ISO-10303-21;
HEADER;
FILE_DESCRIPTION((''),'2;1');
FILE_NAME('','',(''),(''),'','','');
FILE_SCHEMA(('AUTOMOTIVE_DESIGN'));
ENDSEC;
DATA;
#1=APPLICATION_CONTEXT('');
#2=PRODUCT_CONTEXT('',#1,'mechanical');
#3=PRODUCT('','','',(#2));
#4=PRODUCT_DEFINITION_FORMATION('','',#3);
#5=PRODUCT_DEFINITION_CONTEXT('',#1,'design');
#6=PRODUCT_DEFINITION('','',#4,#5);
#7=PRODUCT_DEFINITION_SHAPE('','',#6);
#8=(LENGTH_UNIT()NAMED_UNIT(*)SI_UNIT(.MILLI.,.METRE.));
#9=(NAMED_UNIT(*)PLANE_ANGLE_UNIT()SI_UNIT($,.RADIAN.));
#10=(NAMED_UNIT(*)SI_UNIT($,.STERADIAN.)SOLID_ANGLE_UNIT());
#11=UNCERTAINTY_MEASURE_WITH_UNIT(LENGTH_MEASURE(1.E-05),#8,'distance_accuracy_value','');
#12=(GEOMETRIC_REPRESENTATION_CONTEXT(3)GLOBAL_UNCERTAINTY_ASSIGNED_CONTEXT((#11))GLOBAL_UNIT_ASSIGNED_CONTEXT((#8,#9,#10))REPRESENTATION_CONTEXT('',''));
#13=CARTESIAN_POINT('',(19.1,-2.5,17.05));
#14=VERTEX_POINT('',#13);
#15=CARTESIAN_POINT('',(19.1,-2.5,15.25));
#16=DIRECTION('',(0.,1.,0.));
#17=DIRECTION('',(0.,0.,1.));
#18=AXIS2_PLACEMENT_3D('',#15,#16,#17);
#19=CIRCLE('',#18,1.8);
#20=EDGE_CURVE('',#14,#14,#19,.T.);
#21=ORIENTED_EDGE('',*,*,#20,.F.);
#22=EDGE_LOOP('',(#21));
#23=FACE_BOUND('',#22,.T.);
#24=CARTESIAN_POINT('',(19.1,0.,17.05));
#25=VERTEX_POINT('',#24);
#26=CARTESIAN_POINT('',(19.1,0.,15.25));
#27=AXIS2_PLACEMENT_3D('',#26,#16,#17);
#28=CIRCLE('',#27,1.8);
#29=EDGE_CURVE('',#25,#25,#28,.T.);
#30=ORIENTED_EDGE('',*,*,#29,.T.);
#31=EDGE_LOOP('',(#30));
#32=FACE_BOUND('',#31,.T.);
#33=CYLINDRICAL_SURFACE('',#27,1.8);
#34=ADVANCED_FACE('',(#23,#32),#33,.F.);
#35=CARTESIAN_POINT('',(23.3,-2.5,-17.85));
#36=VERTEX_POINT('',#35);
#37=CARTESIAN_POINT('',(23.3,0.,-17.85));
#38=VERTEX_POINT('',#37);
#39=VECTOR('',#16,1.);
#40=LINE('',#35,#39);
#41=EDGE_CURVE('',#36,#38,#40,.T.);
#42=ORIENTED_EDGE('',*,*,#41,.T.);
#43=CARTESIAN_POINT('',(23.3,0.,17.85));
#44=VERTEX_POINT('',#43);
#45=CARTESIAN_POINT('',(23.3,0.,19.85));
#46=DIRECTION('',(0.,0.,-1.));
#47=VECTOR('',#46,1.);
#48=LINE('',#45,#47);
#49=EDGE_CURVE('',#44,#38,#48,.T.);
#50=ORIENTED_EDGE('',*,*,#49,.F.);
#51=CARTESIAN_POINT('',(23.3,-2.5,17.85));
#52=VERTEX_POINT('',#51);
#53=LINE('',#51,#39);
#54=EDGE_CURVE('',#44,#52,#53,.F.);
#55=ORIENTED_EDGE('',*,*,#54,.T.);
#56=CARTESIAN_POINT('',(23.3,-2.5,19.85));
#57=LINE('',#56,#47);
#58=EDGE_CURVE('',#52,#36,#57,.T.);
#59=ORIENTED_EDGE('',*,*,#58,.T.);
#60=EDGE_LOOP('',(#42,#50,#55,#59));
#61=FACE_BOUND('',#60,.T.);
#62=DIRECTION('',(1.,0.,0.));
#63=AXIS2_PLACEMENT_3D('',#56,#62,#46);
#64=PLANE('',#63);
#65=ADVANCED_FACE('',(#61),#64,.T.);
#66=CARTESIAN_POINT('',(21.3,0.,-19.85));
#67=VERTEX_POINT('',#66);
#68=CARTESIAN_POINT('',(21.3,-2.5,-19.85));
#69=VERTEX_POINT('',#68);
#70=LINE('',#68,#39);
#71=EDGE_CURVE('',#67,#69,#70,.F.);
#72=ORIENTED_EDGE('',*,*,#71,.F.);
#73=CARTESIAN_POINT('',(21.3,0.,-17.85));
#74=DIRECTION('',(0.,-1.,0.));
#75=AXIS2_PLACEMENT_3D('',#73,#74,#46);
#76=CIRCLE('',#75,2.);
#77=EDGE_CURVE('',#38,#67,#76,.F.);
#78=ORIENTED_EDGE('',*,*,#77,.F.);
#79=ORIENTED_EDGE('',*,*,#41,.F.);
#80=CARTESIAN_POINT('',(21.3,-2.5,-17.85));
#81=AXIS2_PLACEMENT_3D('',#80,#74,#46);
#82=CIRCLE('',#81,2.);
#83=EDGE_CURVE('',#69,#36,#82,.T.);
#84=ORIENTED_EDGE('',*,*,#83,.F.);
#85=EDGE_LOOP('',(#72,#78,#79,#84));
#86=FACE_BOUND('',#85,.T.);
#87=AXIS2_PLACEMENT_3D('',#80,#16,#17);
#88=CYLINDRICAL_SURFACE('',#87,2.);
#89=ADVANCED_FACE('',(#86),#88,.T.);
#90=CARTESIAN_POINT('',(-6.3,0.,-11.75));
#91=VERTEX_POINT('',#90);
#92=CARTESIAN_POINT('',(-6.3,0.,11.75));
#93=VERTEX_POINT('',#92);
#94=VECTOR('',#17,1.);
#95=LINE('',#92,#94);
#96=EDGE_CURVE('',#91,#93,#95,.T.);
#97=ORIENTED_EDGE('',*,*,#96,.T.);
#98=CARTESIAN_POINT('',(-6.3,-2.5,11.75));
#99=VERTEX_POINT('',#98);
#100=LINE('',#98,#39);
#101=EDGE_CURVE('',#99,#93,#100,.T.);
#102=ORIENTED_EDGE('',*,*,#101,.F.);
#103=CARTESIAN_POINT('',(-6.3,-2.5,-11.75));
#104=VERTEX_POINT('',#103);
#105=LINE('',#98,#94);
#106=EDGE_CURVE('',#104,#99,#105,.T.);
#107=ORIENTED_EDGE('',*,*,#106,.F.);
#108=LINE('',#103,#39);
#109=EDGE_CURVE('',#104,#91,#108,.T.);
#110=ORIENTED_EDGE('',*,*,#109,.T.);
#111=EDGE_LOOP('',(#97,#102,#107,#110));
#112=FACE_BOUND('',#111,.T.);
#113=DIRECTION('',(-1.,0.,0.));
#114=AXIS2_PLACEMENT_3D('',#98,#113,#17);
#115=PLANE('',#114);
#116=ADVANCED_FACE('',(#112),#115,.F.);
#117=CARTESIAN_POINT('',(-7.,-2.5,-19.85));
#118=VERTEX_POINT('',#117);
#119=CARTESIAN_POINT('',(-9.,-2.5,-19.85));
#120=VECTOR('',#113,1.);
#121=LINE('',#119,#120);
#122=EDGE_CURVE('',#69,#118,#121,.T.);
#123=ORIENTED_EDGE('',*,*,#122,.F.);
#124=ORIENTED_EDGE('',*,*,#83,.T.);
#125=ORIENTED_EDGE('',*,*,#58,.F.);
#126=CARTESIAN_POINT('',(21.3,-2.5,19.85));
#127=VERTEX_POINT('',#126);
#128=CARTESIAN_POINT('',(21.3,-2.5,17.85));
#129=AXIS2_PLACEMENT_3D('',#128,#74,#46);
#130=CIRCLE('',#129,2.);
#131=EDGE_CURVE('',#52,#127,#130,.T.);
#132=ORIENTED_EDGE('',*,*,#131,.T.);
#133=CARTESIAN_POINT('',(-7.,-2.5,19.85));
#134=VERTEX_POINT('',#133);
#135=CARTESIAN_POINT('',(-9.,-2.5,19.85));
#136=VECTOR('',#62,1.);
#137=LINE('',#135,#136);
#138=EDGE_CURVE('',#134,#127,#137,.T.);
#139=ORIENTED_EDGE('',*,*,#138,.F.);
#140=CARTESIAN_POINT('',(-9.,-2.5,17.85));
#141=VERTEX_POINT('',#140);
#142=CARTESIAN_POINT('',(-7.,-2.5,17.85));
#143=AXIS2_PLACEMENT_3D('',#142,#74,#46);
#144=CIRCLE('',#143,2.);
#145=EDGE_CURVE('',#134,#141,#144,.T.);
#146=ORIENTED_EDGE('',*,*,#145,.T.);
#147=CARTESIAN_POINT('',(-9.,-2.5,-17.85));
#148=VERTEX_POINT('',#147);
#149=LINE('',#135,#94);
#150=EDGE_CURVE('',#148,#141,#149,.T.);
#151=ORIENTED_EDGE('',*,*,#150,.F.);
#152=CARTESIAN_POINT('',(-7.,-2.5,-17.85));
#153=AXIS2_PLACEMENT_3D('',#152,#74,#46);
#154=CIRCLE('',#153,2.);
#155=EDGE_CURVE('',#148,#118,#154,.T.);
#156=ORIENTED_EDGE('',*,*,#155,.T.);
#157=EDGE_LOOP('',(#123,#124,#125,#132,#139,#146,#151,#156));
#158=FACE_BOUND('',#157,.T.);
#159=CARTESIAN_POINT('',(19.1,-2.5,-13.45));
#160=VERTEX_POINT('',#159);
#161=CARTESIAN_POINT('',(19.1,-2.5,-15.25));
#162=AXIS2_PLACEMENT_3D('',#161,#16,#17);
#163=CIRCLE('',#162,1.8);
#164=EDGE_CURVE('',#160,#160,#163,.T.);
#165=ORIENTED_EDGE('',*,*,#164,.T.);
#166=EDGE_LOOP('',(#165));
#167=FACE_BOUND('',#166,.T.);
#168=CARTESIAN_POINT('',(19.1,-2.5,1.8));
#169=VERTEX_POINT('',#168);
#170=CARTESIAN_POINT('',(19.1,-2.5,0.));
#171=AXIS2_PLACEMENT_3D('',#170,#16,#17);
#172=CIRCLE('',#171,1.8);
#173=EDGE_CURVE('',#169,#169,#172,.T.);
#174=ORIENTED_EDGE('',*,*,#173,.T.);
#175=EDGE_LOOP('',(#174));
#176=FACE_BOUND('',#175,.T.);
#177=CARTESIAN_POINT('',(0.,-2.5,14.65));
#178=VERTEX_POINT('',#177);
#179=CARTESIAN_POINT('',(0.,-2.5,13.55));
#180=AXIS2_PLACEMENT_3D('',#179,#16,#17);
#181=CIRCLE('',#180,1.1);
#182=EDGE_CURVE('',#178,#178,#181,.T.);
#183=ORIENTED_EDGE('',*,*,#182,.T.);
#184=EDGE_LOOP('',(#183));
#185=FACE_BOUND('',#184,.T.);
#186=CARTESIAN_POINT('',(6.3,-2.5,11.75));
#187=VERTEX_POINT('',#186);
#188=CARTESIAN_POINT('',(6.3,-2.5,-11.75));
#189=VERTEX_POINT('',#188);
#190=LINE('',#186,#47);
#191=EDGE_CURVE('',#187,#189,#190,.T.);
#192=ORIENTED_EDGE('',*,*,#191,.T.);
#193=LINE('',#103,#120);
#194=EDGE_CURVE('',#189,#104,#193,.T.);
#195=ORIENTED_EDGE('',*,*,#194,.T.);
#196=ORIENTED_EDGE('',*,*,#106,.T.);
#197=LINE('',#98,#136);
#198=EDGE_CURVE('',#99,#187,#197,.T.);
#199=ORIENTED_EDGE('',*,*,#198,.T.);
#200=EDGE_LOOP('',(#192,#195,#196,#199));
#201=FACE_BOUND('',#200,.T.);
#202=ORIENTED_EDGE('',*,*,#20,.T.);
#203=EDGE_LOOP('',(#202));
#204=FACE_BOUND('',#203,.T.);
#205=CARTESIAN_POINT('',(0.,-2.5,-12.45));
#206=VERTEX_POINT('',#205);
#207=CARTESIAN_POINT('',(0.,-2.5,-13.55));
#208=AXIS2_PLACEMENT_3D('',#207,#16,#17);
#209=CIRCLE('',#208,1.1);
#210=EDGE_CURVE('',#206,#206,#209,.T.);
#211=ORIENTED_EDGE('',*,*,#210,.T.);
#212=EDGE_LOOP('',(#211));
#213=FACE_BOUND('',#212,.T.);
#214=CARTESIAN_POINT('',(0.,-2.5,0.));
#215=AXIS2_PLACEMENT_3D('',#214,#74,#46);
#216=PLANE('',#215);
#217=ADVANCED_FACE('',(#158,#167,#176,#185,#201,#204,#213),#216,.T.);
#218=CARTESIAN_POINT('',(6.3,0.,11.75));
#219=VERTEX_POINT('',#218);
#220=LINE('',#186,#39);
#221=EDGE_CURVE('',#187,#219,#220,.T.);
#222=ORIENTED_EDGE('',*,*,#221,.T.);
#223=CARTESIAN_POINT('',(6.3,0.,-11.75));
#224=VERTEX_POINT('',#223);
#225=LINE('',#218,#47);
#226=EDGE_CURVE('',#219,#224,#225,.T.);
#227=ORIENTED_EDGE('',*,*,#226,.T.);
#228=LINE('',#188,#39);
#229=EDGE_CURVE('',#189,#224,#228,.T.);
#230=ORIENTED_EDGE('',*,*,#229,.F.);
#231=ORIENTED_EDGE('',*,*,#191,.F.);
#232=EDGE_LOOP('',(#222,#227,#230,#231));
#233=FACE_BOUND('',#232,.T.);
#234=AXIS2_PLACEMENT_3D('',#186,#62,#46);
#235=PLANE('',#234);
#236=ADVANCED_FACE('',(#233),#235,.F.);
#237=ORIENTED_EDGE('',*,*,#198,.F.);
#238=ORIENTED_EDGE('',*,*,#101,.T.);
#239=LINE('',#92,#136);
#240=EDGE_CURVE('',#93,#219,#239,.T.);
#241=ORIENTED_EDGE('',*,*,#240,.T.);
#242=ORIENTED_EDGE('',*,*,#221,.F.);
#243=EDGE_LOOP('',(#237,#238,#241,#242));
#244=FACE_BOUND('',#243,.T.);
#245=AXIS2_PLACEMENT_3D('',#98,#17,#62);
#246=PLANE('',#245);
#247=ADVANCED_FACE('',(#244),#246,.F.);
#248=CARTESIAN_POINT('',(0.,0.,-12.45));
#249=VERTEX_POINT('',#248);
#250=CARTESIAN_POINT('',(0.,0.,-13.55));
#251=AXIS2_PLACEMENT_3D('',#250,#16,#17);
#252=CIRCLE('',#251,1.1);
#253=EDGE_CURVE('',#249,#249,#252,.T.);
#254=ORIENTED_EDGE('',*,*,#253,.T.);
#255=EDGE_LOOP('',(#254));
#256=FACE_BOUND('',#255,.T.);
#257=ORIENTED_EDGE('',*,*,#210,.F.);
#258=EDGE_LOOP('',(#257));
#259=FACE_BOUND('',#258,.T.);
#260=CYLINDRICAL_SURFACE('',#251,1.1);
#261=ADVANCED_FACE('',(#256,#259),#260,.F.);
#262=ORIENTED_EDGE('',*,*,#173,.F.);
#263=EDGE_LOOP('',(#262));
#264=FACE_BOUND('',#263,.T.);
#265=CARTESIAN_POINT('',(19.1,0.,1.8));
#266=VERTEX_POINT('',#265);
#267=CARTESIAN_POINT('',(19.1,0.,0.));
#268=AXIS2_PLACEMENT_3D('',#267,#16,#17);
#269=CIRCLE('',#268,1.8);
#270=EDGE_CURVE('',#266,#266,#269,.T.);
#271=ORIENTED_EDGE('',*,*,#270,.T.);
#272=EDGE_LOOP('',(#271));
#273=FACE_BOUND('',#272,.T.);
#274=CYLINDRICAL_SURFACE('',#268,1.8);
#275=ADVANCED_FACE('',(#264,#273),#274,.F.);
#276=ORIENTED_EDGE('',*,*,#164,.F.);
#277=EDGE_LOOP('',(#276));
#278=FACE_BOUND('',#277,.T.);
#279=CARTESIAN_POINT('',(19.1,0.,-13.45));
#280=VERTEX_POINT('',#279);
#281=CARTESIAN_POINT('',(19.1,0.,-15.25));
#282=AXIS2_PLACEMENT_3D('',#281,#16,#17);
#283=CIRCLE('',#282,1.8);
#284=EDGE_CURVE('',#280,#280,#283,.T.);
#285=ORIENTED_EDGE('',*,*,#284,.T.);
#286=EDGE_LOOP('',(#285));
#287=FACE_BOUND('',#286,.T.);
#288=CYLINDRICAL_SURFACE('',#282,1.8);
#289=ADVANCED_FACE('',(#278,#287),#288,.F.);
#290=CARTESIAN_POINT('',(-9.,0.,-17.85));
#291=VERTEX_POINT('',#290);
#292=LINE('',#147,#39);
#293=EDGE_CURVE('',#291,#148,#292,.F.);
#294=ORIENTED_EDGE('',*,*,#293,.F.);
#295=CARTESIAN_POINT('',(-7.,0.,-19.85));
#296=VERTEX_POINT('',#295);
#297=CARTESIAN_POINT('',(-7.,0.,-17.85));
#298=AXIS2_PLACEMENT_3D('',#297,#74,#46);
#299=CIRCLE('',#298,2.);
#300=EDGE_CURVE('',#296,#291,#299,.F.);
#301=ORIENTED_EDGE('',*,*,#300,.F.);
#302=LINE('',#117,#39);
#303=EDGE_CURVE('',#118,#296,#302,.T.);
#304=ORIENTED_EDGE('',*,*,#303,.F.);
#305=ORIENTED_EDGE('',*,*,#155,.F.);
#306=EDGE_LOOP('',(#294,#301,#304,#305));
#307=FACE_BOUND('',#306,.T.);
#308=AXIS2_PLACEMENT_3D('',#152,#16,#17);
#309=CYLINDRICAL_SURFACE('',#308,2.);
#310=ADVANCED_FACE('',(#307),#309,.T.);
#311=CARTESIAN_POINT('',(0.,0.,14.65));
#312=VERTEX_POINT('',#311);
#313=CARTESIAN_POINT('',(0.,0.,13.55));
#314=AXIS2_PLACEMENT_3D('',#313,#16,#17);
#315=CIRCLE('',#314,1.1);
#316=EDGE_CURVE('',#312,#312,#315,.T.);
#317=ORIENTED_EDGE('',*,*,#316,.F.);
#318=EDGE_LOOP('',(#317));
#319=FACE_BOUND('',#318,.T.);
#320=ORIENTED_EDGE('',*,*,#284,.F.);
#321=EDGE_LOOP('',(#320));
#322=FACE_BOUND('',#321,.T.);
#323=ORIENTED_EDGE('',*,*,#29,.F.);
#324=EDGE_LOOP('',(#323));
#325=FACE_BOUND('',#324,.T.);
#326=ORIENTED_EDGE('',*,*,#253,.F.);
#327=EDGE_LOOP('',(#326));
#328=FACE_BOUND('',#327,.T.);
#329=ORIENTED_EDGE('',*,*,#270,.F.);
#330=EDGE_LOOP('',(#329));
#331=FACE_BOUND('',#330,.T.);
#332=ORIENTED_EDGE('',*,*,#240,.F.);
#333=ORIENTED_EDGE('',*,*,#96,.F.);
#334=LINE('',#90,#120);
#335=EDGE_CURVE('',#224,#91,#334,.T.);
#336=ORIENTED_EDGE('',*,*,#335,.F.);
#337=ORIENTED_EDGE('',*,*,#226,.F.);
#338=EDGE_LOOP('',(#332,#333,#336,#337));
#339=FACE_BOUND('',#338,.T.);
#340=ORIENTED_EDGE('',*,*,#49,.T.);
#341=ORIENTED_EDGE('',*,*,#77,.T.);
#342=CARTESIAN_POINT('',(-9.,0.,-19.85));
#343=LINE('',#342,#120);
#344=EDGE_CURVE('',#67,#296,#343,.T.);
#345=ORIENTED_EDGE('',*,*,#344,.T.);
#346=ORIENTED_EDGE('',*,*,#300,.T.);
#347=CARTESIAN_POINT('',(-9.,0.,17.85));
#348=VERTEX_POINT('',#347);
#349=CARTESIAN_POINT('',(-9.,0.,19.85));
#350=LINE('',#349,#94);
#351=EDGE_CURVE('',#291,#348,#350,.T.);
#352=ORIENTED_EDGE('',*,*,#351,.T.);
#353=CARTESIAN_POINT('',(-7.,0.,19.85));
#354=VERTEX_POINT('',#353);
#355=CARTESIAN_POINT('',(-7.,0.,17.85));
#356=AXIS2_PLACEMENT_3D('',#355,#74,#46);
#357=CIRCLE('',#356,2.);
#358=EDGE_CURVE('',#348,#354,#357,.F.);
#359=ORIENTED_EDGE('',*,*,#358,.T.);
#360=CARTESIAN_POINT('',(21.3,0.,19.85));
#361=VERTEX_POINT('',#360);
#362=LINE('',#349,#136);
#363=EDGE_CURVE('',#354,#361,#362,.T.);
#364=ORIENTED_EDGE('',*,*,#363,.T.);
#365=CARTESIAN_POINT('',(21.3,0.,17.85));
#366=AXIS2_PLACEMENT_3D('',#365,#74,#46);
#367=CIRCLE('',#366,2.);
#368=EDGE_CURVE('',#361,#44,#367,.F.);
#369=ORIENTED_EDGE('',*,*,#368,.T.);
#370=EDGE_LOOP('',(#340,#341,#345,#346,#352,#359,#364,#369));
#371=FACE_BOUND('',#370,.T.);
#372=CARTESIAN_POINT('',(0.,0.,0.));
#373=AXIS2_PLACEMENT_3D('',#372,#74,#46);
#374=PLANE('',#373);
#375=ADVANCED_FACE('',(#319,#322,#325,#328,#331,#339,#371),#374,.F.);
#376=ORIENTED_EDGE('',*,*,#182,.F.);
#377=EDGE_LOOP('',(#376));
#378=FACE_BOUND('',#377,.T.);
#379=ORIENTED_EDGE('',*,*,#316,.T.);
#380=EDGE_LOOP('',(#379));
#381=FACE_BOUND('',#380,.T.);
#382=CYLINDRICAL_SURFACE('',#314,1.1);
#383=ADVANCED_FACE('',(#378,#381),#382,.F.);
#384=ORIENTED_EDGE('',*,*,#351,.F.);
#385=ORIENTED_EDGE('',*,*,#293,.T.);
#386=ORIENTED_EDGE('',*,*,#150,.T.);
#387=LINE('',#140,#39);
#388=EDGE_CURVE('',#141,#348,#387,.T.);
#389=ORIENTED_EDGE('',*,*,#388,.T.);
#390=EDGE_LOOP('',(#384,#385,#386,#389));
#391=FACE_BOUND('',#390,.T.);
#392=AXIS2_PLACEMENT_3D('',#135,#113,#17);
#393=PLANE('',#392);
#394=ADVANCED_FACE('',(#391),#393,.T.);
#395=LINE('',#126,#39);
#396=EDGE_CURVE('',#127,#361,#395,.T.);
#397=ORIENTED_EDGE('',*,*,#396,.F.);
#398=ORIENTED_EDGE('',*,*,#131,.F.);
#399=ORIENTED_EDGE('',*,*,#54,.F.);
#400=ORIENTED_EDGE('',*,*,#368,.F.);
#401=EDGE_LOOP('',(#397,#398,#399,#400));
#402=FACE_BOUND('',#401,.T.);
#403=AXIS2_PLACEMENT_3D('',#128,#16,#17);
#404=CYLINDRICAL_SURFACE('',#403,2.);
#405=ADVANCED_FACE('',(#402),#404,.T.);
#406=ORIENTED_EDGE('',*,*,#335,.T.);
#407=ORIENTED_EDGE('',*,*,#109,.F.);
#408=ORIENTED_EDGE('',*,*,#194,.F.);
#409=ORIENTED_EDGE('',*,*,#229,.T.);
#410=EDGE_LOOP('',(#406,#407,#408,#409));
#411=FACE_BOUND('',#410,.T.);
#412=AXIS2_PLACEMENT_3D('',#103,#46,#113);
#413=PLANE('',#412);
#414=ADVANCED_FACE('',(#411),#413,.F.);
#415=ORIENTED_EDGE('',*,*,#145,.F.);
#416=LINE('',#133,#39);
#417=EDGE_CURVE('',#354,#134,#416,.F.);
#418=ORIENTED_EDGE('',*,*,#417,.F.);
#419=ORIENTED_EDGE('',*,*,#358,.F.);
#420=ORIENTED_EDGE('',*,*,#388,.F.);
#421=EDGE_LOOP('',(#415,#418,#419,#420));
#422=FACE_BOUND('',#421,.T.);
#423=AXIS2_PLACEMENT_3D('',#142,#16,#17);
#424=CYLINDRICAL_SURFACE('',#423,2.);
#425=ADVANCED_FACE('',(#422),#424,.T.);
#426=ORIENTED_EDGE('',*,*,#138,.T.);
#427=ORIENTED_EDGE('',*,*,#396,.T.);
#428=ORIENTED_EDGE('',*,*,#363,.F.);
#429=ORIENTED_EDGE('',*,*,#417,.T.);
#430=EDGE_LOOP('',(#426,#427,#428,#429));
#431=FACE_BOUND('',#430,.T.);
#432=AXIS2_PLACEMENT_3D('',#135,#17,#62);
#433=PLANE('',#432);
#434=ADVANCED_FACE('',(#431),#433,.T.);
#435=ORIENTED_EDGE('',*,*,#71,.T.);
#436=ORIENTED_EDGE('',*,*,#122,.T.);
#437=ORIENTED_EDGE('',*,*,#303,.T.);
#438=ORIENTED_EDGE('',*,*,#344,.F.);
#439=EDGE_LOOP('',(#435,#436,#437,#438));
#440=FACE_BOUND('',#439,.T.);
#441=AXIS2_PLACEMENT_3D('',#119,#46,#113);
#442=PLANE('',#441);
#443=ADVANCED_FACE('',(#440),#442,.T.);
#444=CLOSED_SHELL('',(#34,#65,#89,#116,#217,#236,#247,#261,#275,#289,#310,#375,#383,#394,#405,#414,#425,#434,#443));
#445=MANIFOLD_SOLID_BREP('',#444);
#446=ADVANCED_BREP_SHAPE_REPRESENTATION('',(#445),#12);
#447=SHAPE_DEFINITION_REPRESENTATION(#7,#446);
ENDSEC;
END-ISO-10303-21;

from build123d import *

# Parameters (mm, degrees)
SKETCH1_W             = 32.299999994
SKETCH1_H             = 39.7
PLATE_SIZE_DEPTH      = 2.5
SKETCH2_W             = 12.6
SKETCH2_H             = 23.5
SERVO_CLEARANCE_DEPTH = 3.5
M2_CLEARANCE_HOLE1_D  = 2.2
M3_CLEARANCE_HOLE1_D  = 3.6
CORNER_FILLET1_R      = 2


with BuildPart() as part:
    # Sketch1 → Plate Size (new body)
    with BuildSketch(Plane(origin=(0, 0, 0), x_dir=(1, 0, 0), z_dir=(0, 1, 0))):
        with Locations((7.149999997, 0)):
            Rectangle(SKETCH1_W, SKETCH1_H)
    extrude(amount=-PLATE_SIZE_DEPTH)

    # Sketch2 → Servo Clearance (cut, through all)
    with BuildSketch(Plane(origin=(0, 0, 0), x_dir=(1, 0, 0), z_dir=(0, 1, 0))):
        Rectangle(SKETCH2_W, SKETCH2_H)
    extrude(amount=-SERVO_CLEARANCE_DEPTH, mode=Mode.SUBTRACT)

    # M2 Clearance Hole1 (through all)
    with Locations(Plane(origin=(0, 0, 0), x_dir=(1, 0, 0), z_dir=(0, 1, 0))):
        with Locations((0, -13.55), (0, 13.55)):
            Hole(M2_CLEARANCE_HOLE1_D / 2)

    # M3 Clearance Hole1 (through all)
    with Locations(Plane(origin=(0, 0, 0), x_dir=(1, 0, 0), z_dir=(0, 1, 0))):
        with Locations((19.099999994, -15.25), (19.099999994, 0), (19.099999994, 15.25)):
            Hole(M3_CLEARANCE_HOLE1_D / 2)

    # Corner Fillet1
    corner_fillet1_edges = [part.edges().sort_by_distance(p)[0] for p in [
        (-9, -1.25, -19.85),
        (23.299999994, -1.25, -19.85),
        (23.299999994, -1.25, 19.85),
        (-9, -1.25, 19.85),
    ]]
    fillet(corner_fillet1_edges, radius=CORNER_FILLET1_R)


solid = part.part
